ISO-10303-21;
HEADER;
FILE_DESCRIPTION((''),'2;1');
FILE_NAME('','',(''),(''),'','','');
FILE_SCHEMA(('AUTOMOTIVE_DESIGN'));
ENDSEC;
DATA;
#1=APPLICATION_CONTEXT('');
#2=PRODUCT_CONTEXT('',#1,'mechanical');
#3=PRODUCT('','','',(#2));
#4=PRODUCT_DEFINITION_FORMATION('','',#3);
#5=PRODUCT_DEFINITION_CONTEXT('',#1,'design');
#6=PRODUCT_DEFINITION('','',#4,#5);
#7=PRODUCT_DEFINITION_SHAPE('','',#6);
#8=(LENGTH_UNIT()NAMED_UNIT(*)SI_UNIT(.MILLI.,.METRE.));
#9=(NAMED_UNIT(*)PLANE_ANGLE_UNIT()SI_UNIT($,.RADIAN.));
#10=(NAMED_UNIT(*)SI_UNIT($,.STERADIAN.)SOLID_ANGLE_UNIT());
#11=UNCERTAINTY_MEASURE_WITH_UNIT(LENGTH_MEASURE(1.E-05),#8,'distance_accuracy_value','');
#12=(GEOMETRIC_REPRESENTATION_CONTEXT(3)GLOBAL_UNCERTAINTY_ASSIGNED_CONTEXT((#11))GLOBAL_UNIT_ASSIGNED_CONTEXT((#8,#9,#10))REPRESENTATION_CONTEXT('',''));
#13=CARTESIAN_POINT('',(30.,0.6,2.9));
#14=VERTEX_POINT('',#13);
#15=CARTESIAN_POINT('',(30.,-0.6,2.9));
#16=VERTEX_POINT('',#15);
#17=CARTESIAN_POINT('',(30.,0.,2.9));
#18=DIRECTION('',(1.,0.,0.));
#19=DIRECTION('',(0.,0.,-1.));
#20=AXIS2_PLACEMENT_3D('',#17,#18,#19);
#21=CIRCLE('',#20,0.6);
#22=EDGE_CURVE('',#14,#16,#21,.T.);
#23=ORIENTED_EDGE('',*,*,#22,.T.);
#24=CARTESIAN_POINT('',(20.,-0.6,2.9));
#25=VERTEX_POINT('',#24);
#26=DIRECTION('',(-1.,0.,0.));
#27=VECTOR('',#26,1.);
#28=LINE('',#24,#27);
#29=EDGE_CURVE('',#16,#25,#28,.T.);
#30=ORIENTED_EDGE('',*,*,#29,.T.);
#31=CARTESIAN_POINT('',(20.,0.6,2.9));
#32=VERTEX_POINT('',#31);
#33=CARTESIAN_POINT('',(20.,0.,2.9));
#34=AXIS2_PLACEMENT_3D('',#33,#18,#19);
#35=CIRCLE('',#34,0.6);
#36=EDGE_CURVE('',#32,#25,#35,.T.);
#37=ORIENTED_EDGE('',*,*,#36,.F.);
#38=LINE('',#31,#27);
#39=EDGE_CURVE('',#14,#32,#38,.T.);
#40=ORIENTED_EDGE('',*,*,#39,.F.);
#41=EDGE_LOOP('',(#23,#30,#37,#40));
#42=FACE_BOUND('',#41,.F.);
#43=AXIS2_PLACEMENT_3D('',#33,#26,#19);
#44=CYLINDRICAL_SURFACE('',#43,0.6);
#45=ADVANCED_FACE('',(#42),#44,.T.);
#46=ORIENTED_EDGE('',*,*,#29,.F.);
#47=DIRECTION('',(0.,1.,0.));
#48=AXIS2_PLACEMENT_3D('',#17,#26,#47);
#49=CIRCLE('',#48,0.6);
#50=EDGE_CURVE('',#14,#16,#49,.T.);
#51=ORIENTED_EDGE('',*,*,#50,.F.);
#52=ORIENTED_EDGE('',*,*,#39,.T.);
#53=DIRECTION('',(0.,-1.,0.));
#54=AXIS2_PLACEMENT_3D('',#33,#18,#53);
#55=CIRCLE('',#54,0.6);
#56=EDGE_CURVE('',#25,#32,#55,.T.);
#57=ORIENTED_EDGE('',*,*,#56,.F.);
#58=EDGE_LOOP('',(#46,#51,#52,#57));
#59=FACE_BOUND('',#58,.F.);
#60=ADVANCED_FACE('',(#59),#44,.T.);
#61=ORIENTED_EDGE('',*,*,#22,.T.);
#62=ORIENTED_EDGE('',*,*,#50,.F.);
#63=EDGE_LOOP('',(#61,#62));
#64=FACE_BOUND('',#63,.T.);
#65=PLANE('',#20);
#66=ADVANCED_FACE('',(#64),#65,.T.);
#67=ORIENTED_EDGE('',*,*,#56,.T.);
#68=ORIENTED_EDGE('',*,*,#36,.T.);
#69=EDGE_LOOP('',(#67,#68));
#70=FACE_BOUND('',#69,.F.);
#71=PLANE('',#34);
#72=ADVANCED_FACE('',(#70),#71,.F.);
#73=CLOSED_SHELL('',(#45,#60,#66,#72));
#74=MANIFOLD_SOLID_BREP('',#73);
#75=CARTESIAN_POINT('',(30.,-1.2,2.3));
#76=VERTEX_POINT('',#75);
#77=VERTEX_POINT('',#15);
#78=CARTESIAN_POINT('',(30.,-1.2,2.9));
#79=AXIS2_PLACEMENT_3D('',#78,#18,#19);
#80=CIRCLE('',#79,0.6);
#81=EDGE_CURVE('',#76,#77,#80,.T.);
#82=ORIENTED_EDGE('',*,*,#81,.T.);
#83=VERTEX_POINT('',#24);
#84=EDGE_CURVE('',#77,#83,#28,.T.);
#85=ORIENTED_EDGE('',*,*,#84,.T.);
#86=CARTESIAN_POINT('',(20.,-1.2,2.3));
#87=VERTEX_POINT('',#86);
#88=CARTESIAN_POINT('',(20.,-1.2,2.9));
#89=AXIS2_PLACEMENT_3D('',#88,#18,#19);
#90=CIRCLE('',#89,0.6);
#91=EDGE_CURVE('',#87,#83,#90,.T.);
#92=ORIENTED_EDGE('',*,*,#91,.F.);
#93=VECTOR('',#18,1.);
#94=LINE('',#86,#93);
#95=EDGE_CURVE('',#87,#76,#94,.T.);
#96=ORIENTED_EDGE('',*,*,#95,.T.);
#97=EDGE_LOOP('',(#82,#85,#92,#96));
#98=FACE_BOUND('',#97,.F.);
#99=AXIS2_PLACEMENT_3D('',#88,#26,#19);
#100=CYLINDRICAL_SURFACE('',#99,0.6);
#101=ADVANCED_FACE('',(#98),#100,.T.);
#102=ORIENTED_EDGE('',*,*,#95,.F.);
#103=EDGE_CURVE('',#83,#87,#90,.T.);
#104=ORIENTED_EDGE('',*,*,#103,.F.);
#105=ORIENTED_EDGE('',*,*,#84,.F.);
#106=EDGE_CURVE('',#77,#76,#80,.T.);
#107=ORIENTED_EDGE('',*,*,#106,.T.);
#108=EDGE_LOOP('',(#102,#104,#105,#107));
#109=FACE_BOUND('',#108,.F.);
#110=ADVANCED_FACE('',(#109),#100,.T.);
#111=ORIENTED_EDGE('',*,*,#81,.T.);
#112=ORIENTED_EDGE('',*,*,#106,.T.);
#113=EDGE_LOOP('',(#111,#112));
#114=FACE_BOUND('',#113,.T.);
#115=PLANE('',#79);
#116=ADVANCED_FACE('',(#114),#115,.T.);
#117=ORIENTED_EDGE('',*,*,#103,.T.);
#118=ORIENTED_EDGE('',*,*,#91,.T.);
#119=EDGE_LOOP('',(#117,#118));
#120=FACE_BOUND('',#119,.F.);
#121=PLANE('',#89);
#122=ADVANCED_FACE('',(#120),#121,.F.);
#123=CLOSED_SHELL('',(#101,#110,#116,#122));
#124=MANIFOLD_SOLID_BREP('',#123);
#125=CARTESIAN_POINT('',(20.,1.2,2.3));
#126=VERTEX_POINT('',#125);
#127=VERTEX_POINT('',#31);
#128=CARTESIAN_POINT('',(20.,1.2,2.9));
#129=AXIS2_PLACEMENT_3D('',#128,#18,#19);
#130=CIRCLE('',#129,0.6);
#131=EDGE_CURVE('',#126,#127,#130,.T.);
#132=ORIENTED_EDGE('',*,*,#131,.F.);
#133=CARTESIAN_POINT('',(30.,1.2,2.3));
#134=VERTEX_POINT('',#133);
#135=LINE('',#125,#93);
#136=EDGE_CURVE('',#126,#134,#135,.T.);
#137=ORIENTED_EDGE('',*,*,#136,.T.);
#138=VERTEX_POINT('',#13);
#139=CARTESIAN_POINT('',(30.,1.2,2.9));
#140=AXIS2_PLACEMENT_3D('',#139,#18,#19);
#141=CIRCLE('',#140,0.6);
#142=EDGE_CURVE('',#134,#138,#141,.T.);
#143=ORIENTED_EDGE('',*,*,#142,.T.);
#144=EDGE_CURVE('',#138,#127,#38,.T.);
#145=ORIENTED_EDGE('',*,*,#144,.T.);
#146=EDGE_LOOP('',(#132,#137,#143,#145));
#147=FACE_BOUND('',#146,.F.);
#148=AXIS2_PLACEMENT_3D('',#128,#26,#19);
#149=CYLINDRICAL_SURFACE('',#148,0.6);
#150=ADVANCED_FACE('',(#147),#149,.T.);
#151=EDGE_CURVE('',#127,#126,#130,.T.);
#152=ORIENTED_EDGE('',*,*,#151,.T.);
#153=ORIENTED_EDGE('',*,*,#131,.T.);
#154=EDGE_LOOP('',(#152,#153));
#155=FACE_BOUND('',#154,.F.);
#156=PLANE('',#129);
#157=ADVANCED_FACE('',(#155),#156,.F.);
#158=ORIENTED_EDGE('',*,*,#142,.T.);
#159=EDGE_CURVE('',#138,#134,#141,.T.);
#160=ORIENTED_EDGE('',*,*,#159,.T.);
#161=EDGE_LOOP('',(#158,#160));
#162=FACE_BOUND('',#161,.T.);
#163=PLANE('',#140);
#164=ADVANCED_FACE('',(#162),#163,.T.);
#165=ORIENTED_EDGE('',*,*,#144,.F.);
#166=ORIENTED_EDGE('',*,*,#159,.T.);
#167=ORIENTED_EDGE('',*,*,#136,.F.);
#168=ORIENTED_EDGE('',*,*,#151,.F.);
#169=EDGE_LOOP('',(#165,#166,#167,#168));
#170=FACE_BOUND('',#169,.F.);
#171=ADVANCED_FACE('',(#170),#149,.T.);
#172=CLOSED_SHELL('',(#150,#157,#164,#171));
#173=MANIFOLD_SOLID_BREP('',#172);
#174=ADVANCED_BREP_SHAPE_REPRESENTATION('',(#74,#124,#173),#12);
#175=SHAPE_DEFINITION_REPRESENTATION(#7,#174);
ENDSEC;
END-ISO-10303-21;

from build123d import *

# Parameters (mm, degrees)
CYLINDER002_R           = 0.6
CYLINDER002_DEPTH       = 10
CYLINDER002_PITCH_ANGLE = 90
CYLINDER_R              = 0.6
CYLINDER_DEPTH          = 10
CYLINDER_PITCH_ANGLE    = 90
CYLINDER001_R           = 0.6
CYLINDER001_DEPTH       = 10
CYLINDER001_PITCH_ANGLE = 90


with BuildPart() as blck_wire:
    # Cylinder002 → Cylinder002 (new body)
    with BuildSketch(Plane.XY):
        Circle(CYLINDER002_R)
    extrude(amount=CYLINDER002_DEPTH)


with BuildPart() as blck_wire_1:
    # Cylinder002 pitch: moved
    add(blck_wire.part.rotate(Axis((0, 0, 0), (0, 1, 0)), CYLINDER002_PITCH_ANGLE))


with BuildPart() as blck_wire_2:
    # Cylinder002 placement: moved
    add(blck_wire_1.part.moved(Location((0, -1.2, 0))))


with BuildPart() as white_wire:
    # Cylinder → Cylinder (new body)
    with BuildSketch(Plane.XY):
        Circle(CYLINDER_R)
    extrude(amount=CYLINDER_DEPTH)


with BuildPart() as white_wire_1:
    # Cylinder pitch: moved
    add(white_wire.part.rotate(Axis((0, 0, 0), (0, 1, 0)), CYLINDER_PITCH_ANGLE))


with BuildPart() as white_wire_2:
    # Cylinder placement: moved
    add(white_wire_1.part.moved(Location((0, 1.2, 0))))


with BuildPart() as servo_wires:
    # Cylinder001 → Cylinder001 (new body)
    with BuildSketch(Plane.XY):
        Circle(CYLINDER001_R)
    extrude(amount=CYLINDER001_DEPTH)


with BuildPart() as servo_wires_1:
    # Cylinder001 pitch: moved
    add(servo_wires.part.rotate(Axis((0, 0, 0), (0, 1, 0)), CYLINDER001_PITCH_ANGLE))


with BuildPart() as servo_wires_2:
    # Cylinder001 placement: moved
    add(servo_wires_1.part)

    # Fusion: union blck-wire, white-wire
    add(blck_wire_2.part)
    add(white_wire_2.part)


with BuildPart() as servo_wires_3:
    # Fusion placement: moved
    add(servo_wires_2.part.moved(Location((20, 0, 2.9))))


solid = servo_wires_3.part
